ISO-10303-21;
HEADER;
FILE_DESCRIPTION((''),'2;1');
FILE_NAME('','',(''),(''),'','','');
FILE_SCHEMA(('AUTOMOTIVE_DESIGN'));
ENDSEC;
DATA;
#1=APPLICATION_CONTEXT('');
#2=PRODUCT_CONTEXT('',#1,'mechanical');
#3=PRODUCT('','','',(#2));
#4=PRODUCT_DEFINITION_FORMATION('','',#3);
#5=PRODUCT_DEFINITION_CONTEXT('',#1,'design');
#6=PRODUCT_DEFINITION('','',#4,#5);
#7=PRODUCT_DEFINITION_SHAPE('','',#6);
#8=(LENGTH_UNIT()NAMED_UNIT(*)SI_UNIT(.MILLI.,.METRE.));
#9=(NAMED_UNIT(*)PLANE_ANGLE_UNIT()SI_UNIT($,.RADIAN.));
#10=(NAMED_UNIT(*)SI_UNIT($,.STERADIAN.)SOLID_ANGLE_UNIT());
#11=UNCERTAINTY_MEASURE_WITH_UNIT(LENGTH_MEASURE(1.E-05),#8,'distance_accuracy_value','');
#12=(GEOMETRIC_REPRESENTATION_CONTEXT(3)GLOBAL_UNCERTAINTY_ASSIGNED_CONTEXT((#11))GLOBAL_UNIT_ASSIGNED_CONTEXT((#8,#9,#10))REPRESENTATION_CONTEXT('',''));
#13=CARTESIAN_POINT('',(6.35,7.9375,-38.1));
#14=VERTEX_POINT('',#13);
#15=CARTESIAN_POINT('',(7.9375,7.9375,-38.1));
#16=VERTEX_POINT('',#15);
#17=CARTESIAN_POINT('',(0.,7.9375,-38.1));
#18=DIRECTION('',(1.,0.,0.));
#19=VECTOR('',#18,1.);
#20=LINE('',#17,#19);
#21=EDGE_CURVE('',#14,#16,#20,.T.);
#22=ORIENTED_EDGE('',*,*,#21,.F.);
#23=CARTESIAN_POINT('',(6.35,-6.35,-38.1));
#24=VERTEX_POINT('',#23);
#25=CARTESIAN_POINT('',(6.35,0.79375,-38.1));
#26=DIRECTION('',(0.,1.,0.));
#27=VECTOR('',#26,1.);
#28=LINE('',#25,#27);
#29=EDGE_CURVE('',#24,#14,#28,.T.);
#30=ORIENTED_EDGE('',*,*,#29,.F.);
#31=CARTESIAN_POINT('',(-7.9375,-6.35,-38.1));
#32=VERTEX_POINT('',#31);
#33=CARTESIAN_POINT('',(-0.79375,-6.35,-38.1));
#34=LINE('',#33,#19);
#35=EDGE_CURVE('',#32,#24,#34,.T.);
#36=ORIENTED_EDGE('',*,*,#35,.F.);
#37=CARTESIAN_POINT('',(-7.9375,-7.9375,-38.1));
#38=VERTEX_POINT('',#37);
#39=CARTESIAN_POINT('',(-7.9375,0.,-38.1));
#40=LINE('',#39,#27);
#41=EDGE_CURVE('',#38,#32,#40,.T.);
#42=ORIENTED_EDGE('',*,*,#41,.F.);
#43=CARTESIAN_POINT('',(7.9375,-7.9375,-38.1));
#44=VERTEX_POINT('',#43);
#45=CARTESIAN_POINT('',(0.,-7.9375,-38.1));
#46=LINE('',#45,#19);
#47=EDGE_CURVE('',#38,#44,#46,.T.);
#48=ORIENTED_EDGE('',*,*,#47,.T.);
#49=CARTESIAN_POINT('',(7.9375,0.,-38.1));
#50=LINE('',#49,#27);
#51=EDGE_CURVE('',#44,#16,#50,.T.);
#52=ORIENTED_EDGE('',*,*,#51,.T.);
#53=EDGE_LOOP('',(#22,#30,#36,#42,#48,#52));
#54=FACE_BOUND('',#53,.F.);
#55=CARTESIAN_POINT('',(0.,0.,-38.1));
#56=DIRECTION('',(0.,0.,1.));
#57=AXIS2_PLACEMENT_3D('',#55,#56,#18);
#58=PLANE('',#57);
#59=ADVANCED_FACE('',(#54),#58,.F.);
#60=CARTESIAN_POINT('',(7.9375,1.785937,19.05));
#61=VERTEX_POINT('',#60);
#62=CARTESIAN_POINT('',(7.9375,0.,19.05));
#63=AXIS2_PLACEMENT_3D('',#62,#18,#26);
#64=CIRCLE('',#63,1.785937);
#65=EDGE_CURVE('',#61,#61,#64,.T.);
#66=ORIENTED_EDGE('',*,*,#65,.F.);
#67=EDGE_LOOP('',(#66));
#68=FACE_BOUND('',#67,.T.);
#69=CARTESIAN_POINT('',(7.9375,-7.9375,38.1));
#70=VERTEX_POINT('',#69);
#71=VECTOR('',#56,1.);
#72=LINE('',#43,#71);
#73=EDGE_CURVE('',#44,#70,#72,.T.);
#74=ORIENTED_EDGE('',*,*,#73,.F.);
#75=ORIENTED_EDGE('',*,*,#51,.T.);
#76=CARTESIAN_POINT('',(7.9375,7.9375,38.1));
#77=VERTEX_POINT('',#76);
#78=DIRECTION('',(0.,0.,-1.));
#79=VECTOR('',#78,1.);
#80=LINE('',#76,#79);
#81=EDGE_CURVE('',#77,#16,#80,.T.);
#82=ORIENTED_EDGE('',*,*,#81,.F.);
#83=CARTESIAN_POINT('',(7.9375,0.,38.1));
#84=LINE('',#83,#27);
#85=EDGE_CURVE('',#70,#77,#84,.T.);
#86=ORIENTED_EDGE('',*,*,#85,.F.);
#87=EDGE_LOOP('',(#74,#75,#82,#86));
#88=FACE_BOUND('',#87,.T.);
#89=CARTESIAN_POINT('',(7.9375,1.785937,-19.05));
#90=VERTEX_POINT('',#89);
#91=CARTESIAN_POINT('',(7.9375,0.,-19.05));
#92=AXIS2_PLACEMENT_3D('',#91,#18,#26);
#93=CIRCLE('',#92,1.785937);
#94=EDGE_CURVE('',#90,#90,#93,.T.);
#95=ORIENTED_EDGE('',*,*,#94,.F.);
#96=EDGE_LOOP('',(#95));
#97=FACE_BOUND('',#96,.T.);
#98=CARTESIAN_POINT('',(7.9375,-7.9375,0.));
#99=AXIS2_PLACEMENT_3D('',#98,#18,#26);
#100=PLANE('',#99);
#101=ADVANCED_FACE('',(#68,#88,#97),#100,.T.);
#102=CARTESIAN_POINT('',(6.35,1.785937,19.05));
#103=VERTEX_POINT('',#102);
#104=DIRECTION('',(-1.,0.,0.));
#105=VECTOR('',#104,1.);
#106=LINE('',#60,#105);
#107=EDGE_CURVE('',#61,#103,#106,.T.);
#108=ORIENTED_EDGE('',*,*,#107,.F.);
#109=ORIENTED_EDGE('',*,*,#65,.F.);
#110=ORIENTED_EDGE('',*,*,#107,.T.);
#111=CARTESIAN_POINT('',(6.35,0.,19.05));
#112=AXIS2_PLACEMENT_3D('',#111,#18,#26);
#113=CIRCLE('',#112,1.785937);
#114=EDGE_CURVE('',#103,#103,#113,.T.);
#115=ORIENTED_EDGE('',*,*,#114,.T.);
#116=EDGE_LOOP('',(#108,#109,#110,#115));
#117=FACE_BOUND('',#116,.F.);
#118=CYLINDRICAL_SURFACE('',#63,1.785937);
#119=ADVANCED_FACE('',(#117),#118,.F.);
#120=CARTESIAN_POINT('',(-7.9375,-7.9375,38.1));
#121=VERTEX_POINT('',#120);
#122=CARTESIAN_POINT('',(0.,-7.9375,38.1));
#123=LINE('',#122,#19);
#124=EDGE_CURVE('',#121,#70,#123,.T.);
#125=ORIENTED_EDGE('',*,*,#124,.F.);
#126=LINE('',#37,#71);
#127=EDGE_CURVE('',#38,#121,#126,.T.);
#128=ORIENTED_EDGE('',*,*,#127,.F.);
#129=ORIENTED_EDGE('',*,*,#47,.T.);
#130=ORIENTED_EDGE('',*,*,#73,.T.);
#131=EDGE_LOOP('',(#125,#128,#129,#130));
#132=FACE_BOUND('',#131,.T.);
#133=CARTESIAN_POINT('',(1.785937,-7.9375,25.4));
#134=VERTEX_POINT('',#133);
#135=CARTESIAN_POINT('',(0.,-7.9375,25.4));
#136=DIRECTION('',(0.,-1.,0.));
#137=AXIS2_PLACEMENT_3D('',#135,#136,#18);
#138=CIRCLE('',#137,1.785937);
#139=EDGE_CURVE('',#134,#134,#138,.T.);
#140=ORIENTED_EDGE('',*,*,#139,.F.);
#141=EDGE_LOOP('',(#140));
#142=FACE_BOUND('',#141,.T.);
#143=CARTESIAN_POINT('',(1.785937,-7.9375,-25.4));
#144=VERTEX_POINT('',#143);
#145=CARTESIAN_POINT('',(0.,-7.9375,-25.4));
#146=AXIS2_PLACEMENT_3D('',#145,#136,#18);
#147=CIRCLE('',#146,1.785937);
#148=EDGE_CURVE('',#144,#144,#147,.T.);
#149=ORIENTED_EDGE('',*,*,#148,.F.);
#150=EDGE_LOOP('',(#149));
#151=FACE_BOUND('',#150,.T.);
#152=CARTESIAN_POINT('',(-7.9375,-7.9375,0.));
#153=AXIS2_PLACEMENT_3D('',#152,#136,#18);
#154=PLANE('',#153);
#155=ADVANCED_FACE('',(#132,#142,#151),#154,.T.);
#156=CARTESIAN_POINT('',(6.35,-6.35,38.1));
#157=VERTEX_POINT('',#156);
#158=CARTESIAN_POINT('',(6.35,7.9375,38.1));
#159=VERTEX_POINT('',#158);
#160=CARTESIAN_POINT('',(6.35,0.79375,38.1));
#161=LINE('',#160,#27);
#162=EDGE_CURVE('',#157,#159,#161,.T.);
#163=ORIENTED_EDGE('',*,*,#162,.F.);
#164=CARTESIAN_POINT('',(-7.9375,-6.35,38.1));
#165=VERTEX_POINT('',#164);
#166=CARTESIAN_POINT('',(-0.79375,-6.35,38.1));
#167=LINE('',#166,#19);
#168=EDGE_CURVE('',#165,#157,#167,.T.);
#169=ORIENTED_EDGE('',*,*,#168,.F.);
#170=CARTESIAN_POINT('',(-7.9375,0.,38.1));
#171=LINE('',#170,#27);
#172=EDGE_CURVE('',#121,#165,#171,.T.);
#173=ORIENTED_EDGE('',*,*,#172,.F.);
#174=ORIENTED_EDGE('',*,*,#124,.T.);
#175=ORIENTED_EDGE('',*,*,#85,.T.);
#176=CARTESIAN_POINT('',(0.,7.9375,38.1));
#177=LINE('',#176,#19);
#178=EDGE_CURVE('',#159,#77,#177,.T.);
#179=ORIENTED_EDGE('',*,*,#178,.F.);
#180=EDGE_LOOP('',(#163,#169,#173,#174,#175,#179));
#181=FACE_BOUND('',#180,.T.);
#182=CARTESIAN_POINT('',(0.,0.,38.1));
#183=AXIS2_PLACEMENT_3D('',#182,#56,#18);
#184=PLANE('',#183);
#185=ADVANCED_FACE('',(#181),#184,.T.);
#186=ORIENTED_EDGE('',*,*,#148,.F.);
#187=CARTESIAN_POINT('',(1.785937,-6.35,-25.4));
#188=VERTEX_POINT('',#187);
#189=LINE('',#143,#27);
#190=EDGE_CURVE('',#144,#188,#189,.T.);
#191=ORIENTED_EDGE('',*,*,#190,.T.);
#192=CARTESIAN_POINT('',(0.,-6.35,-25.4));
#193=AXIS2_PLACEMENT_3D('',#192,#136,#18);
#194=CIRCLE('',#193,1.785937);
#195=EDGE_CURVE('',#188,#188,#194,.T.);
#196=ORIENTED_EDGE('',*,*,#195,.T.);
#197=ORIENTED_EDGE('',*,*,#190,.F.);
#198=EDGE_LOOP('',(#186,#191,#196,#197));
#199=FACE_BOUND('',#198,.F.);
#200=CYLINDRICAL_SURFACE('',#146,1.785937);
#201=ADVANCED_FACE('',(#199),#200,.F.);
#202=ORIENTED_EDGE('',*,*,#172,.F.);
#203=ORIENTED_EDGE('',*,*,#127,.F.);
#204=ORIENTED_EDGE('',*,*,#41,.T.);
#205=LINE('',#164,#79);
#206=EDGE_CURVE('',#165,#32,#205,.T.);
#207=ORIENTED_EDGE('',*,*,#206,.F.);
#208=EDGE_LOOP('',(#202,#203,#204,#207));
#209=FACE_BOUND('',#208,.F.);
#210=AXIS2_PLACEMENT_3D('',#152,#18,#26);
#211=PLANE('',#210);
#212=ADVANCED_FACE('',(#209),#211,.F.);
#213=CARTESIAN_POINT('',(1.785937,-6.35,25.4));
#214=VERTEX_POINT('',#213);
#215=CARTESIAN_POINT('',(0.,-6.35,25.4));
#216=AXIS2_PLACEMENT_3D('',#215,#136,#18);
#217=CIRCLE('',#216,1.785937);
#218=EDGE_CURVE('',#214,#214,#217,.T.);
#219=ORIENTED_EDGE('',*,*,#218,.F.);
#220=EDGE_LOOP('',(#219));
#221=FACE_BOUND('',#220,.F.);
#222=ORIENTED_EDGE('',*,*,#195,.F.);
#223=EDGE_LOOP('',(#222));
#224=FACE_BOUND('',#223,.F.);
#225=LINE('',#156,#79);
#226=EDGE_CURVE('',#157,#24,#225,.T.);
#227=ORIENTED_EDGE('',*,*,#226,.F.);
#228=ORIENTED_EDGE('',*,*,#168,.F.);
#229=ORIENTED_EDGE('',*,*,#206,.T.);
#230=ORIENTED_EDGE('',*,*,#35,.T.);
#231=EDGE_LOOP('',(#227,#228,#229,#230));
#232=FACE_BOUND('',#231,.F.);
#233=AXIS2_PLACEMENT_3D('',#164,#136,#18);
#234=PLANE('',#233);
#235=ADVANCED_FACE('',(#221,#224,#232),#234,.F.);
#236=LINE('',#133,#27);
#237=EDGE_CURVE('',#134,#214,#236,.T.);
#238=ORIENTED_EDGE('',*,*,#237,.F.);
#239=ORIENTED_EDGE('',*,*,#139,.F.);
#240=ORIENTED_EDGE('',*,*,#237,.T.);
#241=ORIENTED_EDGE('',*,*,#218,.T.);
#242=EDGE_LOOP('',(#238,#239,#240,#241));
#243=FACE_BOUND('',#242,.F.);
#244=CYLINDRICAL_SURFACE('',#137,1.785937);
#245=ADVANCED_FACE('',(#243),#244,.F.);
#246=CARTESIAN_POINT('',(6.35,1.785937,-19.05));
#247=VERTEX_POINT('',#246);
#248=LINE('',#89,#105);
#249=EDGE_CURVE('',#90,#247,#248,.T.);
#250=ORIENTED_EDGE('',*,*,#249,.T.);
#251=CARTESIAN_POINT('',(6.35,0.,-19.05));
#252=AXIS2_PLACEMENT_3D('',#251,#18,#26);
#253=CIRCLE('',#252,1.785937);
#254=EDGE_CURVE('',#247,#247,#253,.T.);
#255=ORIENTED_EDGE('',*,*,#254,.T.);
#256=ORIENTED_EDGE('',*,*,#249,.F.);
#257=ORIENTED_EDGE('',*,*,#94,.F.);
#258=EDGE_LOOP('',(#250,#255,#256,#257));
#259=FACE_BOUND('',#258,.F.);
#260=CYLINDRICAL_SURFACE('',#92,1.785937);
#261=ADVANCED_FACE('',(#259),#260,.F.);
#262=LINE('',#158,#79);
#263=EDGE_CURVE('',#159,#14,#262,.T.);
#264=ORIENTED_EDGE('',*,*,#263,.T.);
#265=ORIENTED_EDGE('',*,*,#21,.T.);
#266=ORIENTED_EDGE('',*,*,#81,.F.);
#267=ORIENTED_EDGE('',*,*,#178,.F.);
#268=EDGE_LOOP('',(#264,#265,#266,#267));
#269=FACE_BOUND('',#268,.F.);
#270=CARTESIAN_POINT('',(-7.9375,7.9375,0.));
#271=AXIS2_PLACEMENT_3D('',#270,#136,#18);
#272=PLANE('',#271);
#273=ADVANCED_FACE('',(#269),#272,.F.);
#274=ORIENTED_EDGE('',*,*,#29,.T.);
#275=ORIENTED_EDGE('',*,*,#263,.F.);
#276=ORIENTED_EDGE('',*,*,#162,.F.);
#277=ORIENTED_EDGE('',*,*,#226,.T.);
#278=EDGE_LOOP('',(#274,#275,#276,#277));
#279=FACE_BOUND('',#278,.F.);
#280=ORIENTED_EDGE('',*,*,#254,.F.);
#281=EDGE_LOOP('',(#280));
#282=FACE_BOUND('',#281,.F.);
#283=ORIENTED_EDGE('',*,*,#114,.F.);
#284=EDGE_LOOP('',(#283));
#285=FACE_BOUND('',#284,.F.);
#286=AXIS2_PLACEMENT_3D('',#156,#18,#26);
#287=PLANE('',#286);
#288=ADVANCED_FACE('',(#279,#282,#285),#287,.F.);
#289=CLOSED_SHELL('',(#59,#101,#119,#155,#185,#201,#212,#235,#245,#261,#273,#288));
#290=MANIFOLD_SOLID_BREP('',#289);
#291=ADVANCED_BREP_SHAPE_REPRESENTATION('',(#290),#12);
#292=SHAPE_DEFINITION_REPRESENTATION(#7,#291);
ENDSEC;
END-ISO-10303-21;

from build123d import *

# Parameters (mm, degrees)
F0_W     = 15.875
F0_H     = 15.875
F1_DEPTH = 38.1
F2_W     = 14.2875
F2_H     = 14.2875
F3_DEPTH = 76.2
F4_R     = 1.7859375
F5_DEPTH = 1.5875
F6_R     = 1.7859375
F7_DEPTH = 1.5875


with BuildPart() as f1:
    # F0 (on Top) → F1 (new body, symmetric)
    with BuildSketch(Plane.XY):
        Rectangle(F0_W, F0_H)
    extrude(amount=F1_DEPTH, both=True)

    # F2 (on face) → F3 (cut)
    with BuildSketch(Plane.XY.offset(38.1)):
        with Locations((-0.79375, 0.79375)):
            Rectangle(F2_W, F2_H)
    extrude(amount=-F3_DEPTH, mode=Mode.SUBTRACT)

    # F4 (on face) → F5 (cut, through all)
    with BuildSketch(Plane.XZ.offset(7.9375)):
        with Locations((0, -25.4)):
            Circle(F4_R)
        with Locations((0, 25.4)):
            Circle(F4_R)
    extrude(amount=-F5_DEPTH, mode=Mode.SUBTRACT)

    # F6 (on face) → F7 (cut, through all)
    with BuildSketch(Plane.YZ.offset(7.9375)):
        with Locations((0, -19.05)):
            Circle(F6_R)
        with Locations((0, 19.05)):
            Circle(F6_R)
    extrude(amount=-F7_DEPTH, mode=Mode.SUBTRACT)


solid = f1.part
